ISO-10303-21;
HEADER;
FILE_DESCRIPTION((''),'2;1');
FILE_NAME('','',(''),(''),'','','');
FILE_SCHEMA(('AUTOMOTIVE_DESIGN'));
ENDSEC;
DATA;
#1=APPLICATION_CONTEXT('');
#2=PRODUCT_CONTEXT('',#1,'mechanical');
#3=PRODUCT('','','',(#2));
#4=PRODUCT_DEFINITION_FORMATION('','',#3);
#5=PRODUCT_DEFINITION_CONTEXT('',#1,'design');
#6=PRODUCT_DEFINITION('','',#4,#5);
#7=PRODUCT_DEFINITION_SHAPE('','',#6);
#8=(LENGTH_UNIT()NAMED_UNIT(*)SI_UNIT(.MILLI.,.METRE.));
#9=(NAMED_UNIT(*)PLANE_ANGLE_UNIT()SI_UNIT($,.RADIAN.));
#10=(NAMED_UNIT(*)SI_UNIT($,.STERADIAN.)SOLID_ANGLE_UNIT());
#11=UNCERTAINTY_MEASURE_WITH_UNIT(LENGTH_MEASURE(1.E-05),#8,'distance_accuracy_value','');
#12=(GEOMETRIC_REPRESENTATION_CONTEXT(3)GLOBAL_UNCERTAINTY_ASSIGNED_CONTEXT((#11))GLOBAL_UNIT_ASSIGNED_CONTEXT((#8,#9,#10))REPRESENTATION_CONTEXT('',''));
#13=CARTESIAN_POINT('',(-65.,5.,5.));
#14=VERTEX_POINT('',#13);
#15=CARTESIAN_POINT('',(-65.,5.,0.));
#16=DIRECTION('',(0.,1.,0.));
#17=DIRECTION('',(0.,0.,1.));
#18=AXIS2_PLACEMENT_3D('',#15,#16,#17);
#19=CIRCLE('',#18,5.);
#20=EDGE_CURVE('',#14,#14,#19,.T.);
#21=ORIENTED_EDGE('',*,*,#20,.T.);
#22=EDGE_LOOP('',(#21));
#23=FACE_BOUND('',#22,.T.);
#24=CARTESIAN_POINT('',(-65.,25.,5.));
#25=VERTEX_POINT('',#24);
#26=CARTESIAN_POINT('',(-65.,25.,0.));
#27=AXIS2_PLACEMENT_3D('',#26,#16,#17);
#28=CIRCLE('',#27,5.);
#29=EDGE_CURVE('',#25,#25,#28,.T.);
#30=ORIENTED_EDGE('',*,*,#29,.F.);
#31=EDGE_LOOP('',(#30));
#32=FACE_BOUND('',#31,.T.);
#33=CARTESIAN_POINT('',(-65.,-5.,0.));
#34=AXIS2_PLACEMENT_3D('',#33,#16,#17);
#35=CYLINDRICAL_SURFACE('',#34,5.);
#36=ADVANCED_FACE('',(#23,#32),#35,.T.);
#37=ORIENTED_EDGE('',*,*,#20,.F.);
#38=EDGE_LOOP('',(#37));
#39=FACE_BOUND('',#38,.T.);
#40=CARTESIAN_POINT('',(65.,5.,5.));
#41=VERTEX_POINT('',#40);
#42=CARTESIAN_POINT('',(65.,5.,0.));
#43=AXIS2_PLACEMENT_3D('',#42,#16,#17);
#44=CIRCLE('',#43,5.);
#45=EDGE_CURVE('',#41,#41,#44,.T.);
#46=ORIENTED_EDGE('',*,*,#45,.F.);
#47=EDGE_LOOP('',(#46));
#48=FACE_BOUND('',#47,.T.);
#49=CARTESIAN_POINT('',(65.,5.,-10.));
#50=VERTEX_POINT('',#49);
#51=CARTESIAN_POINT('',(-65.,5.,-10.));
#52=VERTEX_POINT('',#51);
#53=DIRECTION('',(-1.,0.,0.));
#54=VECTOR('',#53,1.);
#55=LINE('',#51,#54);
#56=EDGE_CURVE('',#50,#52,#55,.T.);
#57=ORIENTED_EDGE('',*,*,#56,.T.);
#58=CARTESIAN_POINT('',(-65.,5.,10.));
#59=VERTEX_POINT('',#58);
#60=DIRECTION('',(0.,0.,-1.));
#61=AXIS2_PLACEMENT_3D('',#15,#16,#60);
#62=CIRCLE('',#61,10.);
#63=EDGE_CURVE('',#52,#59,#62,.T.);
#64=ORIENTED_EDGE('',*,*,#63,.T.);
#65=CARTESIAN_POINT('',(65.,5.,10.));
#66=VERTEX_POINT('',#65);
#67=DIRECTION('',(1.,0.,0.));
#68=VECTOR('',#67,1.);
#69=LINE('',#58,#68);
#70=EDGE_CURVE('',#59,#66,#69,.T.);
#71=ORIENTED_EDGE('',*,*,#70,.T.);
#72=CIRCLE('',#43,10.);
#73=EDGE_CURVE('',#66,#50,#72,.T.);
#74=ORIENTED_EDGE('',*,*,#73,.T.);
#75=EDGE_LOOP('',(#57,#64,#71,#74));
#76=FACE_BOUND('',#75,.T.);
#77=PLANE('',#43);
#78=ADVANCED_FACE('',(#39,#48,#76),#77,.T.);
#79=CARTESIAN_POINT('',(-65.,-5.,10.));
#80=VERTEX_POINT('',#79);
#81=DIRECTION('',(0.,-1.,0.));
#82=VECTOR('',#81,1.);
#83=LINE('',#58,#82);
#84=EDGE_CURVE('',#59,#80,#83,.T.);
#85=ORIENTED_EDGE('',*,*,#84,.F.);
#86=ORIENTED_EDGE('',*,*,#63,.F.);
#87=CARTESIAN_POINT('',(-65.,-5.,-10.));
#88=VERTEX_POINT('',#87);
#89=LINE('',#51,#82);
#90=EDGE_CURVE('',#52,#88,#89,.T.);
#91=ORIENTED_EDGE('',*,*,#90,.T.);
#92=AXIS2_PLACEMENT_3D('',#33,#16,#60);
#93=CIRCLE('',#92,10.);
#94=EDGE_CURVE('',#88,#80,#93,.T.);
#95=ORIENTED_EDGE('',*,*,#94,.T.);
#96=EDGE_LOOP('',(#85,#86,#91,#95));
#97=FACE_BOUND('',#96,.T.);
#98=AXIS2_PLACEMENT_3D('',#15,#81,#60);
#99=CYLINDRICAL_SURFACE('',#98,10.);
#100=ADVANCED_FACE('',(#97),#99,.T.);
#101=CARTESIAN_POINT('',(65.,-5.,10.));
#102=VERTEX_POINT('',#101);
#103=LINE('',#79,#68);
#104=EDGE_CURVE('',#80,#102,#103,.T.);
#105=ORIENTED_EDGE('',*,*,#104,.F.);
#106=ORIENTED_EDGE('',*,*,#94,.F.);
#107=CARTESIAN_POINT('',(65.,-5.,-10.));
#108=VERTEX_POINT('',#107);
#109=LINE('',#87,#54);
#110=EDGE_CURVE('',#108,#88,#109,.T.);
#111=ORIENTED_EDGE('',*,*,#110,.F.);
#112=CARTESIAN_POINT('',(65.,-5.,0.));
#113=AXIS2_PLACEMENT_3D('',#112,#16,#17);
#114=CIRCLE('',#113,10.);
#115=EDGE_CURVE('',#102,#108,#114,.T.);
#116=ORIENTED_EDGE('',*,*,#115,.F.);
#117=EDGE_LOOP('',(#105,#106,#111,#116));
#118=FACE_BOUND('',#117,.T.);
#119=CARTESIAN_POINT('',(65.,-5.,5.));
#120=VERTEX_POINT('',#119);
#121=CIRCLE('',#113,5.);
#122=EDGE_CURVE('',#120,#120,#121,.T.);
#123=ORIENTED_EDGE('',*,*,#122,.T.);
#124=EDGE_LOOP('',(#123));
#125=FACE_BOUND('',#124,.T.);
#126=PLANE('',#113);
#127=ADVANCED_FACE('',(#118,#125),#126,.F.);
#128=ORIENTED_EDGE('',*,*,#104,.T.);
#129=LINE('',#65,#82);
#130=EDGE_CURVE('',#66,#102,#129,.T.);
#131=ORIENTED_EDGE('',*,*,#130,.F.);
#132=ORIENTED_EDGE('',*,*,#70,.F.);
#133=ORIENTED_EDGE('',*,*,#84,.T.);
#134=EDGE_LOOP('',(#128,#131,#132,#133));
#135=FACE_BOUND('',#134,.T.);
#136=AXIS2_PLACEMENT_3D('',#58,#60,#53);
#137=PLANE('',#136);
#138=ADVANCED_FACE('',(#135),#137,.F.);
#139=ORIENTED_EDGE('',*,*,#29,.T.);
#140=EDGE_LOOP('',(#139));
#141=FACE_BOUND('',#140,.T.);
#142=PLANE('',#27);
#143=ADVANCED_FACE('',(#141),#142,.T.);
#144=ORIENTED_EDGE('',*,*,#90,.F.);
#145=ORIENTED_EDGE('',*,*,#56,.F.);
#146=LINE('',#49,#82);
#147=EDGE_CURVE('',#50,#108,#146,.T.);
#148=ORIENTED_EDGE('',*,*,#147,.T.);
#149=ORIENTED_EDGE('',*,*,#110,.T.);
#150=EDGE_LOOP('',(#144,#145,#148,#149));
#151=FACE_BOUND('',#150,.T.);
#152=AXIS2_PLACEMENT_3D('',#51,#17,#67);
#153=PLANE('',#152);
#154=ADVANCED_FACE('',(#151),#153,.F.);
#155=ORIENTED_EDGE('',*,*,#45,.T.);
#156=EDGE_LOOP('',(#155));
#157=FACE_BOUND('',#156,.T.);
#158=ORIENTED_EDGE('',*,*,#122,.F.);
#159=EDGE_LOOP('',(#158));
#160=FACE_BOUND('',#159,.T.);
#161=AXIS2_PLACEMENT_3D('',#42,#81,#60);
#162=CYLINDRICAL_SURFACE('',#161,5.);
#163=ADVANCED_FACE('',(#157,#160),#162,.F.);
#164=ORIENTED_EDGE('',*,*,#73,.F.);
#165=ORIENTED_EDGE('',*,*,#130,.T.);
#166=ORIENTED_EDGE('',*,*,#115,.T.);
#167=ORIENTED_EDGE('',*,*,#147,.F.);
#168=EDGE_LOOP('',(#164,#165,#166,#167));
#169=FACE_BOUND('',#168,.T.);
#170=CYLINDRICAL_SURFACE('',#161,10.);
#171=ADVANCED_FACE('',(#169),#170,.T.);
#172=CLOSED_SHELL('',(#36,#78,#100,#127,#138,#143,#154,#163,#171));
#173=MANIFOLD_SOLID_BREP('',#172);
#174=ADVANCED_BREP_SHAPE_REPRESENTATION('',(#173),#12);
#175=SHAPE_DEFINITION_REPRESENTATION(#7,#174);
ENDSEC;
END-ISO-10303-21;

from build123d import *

# Parameters (mm, degrees)
SKETCH1_R                = 5
BOSS_EXTRUDE1_DEPTH      = 5
BOSS_EXTRUDE2_DEPTH      = 25
BOSS_EXTRUDE2_DEPTH_BACK = 5
SKETCH2_R                = 5


with BuildPart() as part:
    # Sketch1 → Boss-Extrude1 (new, symmetric)
    with BuildSketch(Plane(origin=(0, 0, 0), x_dir=(1, 0, 0), z_dir=(0, 1, 0))):
        with BuildLine():
            Line((-65, -10), (65, -10))
            ThreePointArc((65, -10), (75, 0), (65, 10))
            Line((65, 10), (-65, 10))
            ThreePointArc((-65, 10), (-75, 0), (-65, -10))
        make_face()
        with Locations(Location((-65, 0, 0), (0, 0, 270))):
            Circle(SKETCH1_R, mode=Mode.SUBTRACT)
        with Locations(Location((65, 0, 0), (0, 0, 270))):
            Circle(SKETCH1_R, mode=Mode.SUBTRACT)
    extrude(amount=BOSS_EXTRUDE1_DEPTH, both=True)

    # Sketch2 → Boss-Extrude2 (add, two sides: drawn at the far end of the back side and taken through both)
    with BuildSketch(Plane(origin=(0, 0, 0), x_dir=(1, 0, 0), z_dir=(0, 1, 0)).offset(-BOSS_EXTRUDE2_DEPTH_BACK)):
        with Locations(Location((-65, 0, 0), (0, 0, 270))):
            Circle(SKETCH2_R)
    extrude(amount=BOSS_EXTRUDE2_DEPTH + BOSS_EXTRUDE2_DEPTH_BACK)


solid = part.part
